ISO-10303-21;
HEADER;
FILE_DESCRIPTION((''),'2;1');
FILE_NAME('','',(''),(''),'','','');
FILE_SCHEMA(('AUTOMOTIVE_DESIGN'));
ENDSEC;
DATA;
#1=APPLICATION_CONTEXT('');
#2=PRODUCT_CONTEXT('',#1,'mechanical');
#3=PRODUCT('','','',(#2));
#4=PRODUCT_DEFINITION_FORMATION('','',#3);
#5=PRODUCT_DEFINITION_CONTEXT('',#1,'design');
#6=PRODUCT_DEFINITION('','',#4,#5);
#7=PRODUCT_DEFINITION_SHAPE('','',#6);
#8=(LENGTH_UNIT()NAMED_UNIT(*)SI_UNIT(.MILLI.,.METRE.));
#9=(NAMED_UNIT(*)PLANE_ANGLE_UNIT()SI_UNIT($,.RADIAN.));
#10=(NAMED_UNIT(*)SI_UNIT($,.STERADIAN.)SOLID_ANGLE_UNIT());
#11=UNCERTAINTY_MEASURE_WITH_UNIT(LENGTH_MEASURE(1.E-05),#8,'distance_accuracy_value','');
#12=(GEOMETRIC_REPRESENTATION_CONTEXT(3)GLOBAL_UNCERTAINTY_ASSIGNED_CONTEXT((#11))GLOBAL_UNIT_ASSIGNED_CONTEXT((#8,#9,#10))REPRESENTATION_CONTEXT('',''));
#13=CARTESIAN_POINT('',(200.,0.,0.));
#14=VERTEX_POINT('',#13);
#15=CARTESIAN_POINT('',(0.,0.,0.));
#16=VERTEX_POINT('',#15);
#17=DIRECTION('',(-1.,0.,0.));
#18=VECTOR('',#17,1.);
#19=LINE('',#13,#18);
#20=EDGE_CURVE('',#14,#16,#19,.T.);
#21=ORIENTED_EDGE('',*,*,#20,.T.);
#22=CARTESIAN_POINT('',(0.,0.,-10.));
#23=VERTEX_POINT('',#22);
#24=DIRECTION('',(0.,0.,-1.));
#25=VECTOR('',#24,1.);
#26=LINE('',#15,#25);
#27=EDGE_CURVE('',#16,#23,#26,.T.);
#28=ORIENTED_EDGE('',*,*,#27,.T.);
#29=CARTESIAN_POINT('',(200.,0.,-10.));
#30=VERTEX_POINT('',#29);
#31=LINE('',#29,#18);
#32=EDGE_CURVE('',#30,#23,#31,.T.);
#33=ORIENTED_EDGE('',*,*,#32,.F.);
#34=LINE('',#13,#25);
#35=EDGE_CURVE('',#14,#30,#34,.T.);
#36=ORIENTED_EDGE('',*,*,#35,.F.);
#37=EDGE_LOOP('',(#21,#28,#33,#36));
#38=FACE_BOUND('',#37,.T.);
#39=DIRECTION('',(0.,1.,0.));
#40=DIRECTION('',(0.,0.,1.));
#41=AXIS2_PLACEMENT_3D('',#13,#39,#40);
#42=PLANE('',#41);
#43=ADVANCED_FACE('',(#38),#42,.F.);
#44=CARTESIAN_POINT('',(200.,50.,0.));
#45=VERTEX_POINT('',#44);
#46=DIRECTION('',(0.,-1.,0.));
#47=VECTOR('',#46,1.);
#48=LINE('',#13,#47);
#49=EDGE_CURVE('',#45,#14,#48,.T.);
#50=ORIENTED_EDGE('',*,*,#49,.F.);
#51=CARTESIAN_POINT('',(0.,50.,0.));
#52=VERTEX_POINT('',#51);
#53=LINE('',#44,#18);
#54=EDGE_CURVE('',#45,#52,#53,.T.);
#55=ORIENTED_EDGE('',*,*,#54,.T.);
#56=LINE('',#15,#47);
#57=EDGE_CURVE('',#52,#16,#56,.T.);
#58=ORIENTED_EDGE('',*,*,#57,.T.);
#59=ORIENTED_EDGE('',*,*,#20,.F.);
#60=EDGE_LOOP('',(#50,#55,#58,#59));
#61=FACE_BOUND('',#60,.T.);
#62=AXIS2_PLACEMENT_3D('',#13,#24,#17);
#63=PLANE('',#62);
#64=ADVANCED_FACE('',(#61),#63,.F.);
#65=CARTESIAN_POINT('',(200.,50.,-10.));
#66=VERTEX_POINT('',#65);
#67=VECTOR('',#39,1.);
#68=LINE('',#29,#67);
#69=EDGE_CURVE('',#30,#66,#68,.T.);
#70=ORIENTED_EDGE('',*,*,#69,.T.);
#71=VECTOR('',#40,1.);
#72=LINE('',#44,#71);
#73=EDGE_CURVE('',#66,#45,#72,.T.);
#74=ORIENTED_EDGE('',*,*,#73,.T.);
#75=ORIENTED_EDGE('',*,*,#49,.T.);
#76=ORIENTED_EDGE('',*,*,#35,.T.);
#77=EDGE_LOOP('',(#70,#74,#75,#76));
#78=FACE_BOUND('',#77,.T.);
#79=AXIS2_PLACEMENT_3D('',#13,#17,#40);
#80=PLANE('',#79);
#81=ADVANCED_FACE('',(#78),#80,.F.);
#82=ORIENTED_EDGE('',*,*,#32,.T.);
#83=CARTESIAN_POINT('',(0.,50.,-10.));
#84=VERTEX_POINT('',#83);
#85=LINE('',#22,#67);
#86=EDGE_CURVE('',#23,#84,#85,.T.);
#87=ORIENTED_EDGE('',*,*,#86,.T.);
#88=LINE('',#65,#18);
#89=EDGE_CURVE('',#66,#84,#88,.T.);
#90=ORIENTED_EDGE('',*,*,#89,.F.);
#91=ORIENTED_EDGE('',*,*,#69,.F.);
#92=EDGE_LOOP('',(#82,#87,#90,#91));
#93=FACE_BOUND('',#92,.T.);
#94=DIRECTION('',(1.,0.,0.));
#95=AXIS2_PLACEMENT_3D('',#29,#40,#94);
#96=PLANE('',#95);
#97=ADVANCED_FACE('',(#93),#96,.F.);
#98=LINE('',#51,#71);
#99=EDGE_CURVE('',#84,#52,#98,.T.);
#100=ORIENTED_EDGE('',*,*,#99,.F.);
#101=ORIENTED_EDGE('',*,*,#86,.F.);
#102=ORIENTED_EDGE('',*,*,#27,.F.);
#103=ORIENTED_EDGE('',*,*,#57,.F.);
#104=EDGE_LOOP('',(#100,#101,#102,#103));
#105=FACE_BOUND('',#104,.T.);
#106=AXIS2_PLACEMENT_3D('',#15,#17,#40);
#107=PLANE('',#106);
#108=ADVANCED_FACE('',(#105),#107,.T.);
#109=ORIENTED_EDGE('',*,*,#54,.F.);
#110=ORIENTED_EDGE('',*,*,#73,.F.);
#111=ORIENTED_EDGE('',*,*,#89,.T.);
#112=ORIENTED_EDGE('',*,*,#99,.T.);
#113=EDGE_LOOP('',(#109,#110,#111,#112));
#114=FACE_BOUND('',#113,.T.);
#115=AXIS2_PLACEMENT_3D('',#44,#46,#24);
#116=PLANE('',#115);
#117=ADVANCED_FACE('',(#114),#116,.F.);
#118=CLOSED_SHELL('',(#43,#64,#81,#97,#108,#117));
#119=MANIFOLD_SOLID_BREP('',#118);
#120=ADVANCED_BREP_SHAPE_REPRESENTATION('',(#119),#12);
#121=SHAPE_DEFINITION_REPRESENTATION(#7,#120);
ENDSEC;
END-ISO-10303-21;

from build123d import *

# Parameters (mm, degrees)
SKETCH_1_W      = 10
SKETCH_1_H      = 50
EXTRUDE_1_DEPTH = 200


with BuildPart() as part:
    # Эскиз1 → Бобышка-Вытянуть1 (new body)
    with BuildSketch(Plane(origin=(0, 0, 0), x_dir=(0, 0, -1), z_dir=(1, 0, 0))):
        with Locations((5, 25)):
            Rectangle(SKETCH_1_W, SKETCH_1_H)
    extrude(amount=EXTRUDE_1_DEPTH)


solid = part.part
